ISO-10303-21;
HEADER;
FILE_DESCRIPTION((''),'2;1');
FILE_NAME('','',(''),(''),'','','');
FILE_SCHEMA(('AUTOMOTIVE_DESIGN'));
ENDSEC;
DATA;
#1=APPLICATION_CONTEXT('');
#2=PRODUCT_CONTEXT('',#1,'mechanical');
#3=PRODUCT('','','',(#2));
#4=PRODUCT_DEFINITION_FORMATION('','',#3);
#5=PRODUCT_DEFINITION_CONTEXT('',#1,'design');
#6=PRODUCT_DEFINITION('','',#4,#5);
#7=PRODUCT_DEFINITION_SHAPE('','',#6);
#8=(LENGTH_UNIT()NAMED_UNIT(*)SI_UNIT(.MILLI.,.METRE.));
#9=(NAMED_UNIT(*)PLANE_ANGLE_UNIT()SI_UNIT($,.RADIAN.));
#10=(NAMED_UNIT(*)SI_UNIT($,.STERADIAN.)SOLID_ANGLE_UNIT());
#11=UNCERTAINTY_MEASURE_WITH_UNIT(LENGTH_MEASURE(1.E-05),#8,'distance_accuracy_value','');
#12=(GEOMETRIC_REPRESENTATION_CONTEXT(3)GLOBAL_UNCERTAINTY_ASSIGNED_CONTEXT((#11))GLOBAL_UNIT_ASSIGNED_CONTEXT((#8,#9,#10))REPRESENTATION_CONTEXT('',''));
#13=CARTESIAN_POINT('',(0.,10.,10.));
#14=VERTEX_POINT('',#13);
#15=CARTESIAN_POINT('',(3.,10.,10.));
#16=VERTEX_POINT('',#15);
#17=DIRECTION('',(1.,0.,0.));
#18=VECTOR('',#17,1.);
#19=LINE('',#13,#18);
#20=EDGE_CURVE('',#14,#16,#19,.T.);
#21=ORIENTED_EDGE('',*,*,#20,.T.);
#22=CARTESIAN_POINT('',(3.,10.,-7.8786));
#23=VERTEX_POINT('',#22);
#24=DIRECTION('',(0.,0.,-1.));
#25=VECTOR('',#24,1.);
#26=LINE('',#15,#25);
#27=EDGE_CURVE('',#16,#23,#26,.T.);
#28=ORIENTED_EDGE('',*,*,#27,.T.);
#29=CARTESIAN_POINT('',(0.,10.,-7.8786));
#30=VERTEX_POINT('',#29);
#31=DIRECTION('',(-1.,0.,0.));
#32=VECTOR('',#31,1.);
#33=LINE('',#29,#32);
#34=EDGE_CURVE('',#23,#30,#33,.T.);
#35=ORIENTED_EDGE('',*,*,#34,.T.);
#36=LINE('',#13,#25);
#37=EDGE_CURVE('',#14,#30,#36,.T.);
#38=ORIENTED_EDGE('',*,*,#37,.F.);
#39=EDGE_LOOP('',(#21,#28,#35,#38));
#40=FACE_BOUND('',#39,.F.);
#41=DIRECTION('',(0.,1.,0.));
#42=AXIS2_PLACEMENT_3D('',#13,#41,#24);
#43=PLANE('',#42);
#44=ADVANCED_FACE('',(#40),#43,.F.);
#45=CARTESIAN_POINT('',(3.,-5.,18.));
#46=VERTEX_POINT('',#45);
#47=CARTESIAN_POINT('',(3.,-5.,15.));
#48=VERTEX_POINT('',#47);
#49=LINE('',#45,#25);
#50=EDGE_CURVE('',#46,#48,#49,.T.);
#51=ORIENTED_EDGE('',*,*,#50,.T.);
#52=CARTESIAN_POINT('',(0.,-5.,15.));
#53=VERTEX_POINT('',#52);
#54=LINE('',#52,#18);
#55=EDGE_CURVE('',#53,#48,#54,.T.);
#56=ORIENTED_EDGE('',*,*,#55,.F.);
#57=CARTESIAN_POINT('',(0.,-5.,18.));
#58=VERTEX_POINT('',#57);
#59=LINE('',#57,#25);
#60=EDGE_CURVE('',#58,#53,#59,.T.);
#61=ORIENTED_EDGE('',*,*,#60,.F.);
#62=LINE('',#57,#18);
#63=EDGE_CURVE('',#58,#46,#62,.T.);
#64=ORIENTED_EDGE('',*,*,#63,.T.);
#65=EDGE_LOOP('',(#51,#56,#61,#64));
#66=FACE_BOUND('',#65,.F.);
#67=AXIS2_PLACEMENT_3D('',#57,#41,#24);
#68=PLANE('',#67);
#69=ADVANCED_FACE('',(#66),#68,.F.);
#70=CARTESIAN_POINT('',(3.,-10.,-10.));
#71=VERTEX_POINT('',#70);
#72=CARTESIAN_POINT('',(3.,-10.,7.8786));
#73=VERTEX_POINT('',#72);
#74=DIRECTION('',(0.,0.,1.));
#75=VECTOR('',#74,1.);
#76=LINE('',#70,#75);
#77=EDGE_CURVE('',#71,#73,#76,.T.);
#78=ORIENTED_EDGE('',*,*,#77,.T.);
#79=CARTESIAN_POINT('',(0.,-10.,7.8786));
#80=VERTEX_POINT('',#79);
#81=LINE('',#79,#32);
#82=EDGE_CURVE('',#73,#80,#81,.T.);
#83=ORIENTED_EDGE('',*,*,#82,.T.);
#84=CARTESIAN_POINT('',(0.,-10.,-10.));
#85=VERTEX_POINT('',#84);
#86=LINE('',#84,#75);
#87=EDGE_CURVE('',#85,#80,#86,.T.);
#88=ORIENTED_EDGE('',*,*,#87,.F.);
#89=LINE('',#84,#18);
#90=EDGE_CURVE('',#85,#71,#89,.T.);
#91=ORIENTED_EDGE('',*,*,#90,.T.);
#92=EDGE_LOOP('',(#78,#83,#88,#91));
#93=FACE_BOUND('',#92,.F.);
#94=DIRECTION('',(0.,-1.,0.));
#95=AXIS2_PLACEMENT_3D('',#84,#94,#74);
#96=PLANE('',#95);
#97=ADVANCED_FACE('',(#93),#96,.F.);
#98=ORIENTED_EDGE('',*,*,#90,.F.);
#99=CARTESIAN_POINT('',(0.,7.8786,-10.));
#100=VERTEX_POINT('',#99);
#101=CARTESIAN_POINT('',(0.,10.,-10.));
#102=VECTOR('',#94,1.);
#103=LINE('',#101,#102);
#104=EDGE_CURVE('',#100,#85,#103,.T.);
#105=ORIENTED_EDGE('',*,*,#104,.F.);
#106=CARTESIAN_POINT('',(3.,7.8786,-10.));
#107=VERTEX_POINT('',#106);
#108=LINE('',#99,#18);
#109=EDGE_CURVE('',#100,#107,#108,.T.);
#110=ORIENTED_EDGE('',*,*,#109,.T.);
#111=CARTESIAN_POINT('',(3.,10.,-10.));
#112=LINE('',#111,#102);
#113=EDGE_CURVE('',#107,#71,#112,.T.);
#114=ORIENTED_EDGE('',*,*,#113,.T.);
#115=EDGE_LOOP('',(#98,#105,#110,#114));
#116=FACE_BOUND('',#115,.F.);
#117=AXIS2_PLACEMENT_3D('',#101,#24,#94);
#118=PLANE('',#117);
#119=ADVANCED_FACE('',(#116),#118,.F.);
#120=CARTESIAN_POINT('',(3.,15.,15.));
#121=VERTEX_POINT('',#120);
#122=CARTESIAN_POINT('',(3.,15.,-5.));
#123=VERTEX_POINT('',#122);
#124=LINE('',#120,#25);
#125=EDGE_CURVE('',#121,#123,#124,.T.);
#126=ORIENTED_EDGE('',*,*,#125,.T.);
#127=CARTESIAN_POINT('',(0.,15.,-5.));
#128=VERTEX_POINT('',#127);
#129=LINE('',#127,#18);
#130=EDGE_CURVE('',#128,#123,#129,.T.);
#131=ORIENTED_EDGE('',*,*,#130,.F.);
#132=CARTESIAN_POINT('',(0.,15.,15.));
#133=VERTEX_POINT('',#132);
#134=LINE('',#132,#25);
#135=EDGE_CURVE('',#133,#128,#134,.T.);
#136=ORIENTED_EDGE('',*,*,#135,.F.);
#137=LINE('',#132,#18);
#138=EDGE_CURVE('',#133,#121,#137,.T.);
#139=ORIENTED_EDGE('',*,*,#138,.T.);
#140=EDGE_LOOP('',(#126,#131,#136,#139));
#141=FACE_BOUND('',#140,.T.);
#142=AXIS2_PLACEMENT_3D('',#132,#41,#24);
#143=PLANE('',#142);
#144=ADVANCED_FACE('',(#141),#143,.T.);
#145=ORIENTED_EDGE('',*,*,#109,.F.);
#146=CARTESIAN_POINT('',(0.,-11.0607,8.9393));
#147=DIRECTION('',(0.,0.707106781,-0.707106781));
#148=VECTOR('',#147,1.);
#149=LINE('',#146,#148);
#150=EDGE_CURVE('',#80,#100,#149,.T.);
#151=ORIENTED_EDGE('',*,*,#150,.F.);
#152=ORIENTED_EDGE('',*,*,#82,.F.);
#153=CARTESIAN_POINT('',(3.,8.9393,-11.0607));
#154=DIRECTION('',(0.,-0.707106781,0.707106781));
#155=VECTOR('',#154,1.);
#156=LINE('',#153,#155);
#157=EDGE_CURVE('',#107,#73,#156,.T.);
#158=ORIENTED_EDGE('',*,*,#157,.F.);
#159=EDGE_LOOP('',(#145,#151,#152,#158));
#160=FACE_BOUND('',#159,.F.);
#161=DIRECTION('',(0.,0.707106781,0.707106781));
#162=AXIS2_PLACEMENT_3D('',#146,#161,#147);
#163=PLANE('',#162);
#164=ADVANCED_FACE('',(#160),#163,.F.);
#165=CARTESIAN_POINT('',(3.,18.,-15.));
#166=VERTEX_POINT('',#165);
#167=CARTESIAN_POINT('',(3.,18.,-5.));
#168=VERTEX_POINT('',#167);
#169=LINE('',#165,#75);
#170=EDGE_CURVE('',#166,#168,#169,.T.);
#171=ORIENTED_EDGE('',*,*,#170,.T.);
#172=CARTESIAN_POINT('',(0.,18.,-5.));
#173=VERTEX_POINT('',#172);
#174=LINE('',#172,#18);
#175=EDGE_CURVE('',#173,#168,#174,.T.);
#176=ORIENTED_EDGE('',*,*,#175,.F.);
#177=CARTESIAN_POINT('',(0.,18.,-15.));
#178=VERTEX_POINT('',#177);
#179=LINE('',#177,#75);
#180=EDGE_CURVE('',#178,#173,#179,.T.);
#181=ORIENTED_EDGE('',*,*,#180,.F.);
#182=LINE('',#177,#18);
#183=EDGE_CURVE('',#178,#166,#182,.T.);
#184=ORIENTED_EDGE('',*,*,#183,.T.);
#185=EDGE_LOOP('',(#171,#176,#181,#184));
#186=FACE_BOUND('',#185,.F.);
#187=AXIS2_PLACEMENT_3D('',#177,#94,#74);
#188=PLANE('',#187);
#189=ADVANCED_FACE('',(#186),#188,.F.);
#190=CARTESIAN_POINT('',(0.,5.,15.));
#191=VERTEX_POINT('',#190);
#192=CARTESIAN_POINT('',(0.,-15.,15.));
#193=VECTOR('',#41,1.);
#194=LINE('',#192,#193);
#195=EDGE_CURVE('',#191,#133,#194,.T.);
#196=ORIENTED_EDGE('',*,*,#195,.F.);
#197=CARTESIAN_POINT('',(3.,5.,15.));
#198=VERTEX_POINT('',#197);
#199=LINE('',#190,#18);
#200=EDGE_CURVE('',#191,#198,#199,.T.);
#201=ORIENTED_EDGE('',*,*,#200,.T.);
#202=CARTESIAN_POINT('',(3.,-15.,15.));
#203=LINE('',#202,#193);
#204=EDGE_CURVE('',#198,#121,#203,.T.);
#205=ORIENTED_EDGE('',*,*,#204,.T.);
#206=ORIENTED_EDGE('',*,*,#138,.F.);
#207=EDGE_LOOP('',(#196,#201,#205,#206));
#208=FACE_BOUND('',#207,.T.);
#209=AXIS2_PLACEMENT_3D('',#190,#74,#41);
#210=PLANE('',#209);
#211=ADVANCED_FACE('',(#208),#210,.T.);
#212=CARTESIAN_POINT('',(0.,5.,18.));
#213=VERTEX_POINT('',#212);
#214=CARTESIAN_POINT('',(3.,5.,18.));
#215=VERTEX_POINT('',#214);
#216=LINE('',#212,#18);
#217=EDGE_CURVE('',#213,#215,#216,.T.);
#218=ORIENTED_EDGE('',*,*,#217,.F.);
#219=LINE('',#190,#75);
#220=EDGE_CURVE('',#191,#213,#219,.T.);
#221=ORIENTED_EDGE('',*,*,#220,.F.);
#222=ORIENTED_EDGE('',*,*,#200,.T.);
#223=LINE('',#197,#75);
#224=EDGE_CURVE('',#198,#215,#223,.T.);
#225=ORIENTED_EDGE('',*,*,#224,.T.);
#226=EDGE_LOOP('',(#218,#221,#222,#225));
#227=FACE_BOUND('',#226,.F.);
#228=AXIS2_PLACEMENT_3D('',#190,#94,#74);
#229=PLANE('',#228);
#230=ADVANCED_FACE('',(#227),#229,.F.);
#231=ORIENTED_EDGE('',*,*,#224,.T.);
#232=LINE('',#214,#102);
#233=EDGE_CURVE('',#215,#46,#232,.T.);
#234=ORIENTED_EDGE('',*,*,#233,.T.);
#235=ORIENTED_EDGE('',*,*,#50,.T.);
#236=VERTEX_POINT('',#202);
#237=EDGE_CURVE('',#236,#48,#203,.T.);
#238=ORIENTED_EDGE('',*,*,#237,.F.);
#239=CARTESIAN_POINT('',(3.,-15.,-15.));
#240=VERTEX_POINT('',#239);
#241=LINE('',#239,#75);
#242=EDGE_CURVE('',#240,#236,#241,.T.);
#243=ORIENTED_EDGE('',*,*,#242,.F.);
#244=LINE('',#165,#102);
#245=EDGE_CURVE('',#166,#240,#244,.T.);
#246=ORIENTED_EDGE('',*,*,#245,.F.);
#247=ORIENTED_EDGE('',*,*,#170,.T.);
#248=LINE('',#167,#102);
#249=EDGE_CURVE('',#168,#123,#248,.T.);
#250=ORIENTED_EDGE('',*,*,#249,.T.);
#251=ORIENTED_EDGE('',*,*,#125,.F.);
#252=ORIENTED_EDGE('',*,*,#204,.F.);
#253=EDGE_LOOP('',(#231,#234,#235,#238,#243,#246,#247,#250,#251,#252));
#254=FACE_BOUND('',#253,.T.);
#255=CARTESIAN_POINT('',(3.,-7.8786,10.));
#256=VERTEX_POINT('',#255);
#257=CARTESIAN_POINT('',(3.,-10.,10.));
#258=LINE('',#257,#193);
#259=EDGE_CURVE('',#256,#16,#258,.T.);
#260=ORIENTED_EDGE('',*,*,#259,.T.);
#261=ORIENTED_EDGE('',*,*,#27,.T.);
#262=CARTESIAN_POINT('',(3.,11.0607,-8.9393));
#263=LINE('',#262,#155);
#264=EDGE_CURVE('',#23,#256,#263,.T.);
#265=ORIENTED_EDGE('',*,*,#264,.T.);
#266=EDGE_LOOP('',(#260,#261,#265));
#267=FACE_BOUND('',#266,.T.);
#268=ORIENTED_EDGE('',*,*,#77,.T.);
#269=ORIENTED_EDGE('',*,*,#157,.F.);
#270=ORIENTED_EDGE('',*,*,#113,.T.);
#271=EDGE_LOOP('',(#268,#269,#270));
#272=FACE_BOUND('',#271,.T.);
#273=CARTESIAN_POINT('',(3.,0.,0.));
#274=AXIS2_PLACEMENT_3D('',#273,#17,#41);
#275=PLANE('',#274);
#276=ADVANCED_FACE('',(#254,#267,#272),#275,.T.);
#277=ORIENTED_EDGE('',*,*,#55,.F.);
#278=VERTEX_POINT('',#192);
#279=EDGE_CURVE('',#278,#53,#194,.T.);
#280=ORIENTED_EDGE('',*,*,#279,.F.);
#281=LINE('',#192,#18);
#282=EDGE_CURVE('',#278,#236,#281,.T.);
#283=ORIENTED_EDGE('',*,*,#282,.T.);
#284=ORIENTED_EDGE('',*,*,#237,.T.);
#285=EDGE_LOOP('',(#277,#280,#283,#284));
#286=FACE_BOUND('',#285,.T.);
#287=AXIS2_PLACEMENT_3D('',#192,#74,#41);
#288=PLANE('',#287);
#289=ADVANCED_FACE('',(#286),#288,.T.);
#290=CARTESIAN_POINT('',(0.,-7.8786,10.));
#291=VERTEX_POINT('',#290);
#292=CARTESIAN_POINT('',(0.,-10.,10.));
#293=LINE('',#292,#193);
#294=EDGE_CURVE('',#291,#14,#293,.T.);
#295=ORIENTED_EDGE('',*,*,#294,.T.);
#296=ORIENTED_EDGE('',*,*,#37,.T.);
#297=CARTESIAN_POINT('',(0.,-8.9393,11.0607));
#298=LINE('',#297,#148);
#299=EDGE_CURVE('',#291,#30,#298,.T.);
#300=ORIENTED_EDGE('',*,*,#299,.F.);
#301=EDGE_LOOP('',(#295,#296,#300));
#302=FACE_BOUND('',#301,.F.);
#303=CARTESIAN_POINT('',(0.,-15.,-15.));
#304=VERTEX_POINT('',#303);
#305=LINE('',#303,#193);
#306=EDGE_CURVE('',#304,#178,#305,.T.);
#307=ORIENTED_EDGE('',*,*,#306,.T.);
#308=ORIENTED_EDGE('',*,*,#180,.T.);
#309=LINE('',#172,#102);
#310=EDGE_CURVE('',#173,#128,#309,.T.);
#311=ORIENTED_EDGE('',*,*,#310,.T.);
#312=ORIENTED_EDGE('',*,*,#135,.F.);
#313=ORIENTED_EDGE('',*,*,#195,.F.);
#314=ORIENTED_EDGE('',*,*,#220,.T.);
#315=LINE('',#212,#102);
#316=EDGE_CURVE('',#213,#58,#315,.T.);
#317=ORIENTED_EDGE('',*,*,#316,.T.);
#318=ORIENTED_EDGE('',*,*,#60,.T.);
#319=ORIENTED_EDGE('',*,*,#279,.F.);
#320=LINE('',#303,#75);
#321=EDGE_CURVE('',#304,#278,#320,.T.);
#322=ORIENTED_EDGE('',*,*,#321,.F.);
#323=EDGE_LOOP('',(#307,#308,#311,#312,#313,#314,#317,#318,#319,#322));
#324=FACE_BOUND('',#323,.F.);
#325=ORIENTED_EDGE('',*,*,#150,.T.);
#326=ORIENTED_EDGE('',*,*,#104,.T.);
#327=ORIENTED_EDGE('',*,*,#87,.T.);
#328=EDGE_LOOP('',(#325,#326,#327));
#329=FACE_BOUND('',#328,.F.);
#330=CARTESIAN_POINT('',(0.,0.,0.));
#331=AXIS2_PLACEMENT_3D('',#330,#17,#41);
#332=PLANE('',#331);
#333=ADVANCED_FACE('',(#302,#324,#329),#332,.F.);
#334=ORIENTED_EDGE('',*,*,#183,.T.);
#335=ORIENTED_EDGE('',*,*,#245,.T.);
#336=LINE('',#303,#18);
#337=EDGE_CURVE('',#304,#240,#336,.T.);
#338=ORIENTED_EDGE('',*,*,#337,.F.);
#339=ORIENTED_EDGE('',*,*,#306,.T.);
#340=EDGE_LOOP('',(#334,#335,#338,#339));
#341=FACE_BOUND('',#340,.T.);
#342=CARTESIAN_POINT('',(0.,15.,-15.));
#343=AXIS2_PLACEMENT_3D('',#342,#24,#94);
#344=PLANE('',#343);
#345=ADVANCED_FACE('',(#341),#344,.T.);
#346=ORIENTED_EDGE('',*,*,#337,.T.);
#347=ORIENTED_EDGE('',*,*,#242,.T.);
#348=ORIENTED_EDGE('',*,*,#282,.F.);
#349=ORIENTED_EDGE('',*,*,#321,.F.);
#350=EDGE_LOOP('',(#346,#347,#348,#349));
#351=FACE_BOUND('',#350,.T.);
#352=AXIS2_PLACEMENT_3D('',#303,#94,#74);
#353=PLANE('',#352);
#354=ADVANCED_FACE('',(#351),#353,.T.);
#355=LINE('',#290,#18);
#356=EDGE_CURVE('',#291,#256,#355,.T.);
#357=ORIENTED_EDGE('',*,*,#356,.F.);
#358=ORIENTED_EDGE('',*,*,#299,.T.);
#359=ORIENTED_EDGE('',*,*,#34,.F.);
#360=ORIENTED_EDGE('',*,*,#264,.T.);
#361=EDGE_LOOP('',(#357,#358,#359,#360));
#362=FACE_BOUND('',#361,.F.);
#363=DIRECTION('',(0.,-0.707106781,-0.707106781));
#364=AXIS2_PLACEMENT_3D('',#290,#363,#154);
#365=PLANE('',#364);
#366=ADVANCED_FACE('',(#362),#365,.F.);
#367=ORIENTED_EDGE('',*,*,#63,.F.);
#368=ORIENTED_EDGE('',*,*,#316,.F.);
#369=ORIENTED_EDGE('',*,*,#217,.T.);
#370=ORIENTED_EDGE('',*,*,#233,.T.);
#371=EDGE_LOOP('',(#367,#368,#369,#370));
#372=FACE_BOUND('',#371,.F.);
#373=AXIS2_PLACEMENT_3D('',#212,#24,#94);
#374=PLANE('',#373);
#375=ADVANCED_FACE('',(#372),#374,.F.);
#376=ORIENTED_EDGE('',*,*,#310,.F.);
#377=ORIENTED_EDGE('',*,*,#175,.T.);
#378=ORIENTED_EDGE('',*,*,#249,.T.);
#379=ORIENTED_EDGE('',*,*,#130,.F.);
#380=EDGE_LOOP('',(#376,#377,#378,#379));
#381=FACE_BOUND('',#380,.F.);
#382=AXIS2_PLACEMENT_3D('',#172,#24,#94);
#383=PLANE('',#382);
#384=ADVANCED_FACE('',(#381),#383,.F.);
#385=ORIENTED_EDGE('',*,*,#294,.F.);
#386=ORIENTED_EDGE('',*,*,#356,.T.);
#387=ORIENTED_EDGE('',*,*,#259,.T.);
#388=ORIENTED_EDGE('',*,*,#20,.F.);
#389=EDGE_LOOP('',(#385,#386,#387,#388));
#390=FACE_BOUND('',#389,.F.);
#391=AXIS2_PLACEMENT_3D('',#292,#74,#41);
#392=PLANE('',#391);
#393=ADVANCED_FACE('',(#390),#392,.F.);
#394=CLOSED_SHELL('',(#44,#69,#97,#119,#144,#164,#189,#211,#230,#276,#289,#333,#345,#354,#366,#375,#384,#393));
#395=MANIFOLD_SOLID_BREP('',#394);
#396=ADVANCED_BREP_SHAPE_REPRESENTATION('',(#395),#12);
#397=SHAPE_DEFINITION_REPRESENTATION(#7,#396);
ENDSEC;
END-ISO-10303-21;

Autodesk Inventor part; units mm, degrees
ref_plane "YZ Plane" through (0, 0, 0) normal (1, 0, 0) x (0, 1, 0)
ref_plane "XZ Plane" through (0, 0, 0) normal (0, 1, 0) x (-1, 0, 0)
ref_plane "XY Plane" through (0, 0, 0) normal (0, 0, 1) x (1, 0, 0)
sketch "Sketch1" plane through (0, 0, 0) normal (1, 0, 0) x (0, 1, 0)
  line L0 (15, -15) -> (-15, -15)
  line L1 (-15, -15) -> (-15, 15)
  line L2 (-15, 15) -> (15, 15)
  line L3 (15, 15) -> (15, -15)
  line L4 (15, -15) -> (-15, 15) construction
  line L5 (-15, -15) -> (15, 15) construction
  line L6 (15, -15) -> (18, -15)
  line L7 (18, -15) -> (18, -5)
  line L8 (18, -5) -> (15, -5)
  line L9 (15, -5) -> (15, -15)
  line L10 (-5, 15) -> (5, 15)
  line L11 (5, 15) -> (5, 18)
  line L12 (5, 18) -> (-5, 18)
  line L13 (-5, 18) -> (-5, 15)
  point P0 (0, 0)
  point P1 (0, 18)
  point P2 (0, 0)
  dimension "d0" = 30
  dimension "d1" = 30
  dimension "d2" = 3
  dimension "d3" = 10
  dimension "d4" = 10
  dimension "d5" = 3
extrude "Extrusion1" add sketch "Sketch1" along normal blind 3
sketch "Sketch2" plane through (0, 0, 0) normal (-1, 0, 0) x (0, 0, 1)
  line L0 (15, -15) -> (-15, -15) projected
  line L1 (-15, -15) -> (-15, 18) projected
  line L2 (10, 10) -> (-10, 10)
  line L3 (-10, 10) -> (-10, -10)
  line L4 (-10, -10) -> (10, -10)
  line L5 (10, -10) -> (10, 10)
  line L6 (10, 10) -> (-10, -10) construction
  line L7 (-10, 10) -> (10, -10) construction
  point P0 (0, 0)
  dimension "d8" = 5
  dimension "d9" = 5
extrude "Extrusion2" cut sketch "Sketch2" against normal blind 3
sketch "Sketch3" plane through (0, 0, 0) normal (-1, 0, 0) x (0, 0, 1)
  line L0 (10, -10) -> (-10, -10) projected
  line L1 (10, 10) -> (10, -10) projected
  line L2 (-8.9393, 11.0607) -> (11.0607, -8.9393)
  line L3 (11.0607, -8.9393) -> (8.9393, -11.0607)
  line L4 (8.9393, -11.0607) -> (-11.0607, 8.9393)
  line L5 (-11.0607, 8.9393) -> (-8.9393, 11.0607)
  line L6 (-8.9393, 11.0607) -> (8.9393, -11.0607) construction
  line L7 (11.0607, -8.9393) -> (-11.0607, 8.9393) construction
  point P0 (0, 0)
  dimension "d12" = 3
extrude "Extrusion3" add sketch "Sketch3" against normal blind 3
equation "\"d9\" = d8"
properties part number "Motor Side support"
